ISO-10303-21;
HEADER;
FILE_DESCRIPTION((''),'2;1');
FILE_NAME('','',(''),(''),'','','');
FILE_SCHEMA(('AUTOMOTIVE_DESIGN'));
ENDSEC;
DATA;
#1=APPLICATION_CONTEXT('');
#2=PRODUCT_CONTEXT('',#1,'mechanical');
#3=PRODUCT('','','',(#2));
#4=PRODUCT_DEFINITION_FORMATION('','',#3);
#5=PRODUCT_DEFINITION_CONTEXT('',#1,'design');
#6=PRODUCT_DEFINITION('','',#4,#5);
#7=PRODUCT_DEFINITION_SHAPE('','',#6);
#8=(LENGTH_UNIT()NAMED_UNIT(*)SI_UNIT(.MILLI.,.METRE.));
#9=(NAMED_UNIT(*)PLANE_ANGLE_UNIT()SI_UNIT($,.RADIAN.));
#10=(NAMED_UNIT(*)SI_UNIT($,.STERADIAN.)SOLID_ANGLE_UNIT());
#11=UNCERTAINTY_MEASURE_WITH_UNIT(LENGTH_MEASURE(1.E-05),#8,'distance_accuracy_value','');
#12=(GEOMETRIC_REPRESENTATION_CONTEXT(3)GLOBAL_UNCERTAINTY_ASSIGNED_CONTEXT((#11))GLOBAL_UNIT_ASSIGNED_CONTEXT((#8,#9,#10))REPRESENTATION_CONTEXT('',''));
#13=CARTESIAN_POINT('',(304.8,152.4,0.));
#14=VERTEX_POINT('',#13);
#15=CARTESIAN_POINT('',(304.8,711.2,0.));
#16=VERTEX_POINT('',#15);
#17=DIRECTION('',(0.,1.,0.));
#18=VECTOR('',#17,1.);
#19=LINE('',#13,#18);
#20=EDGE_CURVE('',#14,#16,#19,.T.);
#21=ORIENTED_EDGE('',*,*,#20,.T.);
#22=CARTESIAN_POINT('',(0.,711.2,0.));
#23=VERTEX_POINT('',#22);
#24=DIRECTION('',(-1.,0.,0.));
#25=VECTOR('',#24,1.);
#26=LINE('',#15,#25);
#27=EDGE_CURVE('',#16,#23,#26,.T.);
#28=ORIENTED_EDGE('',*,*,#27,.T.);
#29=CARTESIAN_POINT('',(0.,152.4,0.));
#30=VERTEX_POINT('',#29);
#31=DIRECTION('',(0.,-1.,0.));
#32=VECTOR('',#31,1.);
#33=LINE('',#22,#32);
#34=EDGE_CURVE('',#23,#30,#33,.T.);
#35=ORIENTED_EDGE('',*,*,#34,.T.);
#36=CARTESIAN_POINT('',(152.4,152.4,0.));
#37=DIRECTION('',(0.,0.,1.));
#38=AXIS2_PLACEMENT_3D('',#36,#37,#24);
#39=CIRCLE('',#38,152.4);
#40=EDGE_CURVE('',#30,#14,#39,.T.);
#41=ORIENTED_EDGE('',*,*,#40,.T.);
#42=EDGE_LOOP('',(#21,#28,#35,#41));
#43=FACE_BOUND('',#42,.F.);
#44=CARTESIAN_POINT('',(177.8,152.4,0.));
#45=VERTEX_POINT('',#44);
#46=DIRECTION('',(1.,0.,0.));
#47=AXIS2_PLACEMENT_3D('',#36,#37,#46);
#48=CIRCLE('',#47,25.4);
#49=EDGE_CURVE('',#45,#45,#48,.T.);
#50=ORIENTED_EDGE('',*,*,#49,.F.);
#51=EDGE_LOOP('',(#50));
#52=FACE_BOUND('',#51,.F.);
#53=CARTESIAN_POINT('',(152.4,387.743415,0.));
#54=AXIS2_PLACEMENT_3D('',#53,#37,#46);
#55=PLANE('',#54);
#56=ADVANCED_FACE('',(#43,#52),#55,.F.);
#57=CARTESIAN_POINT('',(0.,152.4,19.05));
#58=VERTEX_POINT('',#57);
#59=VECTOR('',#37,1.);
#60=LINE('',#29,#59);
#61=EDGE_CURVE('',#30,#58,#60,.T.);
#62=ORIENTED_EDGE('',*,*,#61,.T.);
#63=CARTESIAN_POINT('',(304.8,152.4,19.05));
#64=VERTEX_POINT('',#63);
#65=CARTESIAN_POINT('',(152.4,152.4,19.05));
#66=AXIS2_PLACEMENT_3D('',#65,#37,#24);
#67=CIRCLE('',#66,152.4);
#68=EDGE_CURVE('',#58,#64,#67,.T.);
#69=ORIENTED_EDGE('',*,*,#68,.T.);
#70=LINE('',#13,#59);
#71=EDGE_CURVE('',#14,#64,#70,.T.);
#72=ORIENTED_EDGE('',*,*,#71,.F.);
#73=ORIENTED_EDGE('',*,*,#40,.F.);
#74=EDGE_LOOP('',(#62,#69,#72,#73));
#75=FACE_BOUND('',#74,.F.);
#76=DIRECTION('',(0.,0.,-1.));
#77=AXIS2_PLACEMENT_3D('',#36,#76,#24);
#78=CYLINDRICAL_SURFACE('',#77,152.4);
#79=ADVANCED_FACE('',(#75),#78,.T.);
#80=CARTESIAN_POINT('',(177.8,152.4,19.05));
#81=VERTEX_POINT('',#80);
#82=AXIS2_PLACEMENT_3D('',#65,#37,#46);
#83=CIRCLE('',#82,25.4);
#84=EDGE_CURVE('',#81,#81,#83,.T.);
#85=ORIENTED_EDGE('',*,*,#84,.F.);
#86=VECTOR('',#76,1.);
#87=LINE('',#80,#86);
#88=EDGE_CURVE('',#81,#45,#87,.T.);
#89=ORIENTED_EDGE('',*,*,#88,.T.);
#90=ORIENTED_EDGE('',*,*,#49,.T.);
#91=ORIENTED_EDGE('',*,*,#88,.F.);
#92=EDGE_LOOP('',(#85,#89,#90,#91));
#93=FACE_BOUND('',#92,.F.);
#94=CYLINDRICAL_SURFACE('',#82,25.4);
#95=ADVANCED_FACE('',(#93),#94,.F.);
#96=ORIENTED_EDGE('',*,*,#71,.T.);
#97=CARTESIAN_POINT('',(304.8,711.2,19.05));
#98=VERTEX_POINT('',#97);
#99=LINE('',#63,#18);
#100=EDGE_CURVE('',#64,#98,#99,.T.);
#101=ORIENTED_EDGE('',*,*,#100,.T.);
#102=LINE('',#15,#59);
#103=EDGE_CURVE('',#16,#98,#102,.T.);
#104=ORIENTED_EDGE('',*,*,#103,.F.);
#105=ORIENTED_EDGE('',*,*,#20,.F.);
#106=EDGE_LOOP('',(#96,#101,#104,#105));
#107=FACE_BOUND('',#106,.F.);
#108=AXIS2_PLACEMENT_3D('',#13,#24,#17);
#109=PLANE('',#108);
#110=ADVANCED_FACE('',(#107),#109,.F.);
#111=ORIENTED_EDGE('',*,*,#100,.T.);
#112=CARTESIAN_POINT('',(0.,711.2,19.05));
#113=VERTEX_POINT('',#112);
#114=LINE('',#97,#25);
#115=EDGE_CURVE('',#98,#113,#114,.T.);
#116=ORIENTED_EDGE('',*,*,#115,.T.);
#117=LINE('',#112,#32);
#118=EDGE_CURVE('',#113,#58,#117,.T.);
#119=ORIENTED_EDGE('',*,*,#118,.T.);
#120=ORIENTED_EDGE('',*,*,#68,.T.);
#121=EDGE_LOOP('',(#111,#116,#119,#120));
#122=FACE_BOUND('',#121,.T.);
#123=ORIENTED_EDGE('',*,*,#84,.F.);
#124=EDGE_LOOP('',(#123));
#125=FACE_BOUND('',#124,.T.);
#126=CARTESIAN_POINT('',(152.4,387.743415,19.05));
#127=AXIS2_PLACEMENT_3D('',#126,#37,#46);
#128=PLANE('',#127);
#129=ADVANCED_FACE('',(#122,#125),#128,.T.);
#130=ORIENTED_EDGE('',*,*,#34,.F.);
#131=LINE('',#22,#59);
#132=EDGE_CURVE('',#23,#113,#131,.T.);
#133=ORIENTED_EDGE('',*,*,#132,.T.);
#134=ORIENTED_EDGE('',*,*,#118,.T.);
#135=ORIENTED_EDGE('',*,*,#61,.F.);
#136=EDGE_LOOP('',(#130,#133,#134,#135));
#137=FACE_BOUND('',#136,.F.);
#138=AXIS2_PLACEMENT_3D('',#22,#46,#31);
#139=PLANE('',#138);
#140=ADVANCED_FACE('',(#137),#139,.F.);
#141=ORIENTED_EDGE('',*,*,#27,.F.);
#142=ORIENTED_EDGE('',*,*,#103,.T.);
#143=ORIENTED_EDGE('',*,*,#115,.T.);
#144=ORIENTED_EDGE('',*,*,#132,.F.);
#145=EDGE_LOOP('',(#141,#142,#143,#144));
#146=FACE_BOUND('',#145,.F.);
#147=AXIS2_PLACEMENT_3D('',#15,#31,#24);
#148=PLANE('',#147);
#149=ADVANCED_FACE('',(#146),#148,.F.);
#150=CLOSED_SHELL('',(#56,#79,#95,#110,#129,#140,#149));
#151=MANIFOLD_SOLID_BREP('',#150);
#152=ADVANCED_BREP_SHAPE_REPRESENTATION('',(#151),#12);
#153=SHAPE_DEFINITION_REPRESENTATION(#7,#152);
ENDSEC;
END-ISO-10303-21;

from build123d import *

# Parameters (mm, degrees)
F1_DEPTH = 19.05
F2_R     = 25.4
F3_DEPTH = 78.74


with BuildPart() as f1:
    # F0 (on Top) → F1 (new body)
    with BuildSketch(Plane.XY):
        with BuildLine():
            Line((304.8, 711.2), (0, 711.2))
            Line((0, 711.2), (0, 152.4))
            ThreePointArc((0, 152.4), (152.4, 0), (304.8, 152.4))
            Line((304.8, 152.4), (304.8, 711.2))
        make_face()
    extrude(amount=F1_DEPTH)

    # F2 (on face) → F3 (cut)
    with BuildSketch(Plane.XY.offset(19.05)):
        with Locations((152.4, 152.4)):
            Circle(F2_R)
    extrude(amount=-F3_DEPTH, mode=Mode.SUBTRACT)


solid = f1.part
